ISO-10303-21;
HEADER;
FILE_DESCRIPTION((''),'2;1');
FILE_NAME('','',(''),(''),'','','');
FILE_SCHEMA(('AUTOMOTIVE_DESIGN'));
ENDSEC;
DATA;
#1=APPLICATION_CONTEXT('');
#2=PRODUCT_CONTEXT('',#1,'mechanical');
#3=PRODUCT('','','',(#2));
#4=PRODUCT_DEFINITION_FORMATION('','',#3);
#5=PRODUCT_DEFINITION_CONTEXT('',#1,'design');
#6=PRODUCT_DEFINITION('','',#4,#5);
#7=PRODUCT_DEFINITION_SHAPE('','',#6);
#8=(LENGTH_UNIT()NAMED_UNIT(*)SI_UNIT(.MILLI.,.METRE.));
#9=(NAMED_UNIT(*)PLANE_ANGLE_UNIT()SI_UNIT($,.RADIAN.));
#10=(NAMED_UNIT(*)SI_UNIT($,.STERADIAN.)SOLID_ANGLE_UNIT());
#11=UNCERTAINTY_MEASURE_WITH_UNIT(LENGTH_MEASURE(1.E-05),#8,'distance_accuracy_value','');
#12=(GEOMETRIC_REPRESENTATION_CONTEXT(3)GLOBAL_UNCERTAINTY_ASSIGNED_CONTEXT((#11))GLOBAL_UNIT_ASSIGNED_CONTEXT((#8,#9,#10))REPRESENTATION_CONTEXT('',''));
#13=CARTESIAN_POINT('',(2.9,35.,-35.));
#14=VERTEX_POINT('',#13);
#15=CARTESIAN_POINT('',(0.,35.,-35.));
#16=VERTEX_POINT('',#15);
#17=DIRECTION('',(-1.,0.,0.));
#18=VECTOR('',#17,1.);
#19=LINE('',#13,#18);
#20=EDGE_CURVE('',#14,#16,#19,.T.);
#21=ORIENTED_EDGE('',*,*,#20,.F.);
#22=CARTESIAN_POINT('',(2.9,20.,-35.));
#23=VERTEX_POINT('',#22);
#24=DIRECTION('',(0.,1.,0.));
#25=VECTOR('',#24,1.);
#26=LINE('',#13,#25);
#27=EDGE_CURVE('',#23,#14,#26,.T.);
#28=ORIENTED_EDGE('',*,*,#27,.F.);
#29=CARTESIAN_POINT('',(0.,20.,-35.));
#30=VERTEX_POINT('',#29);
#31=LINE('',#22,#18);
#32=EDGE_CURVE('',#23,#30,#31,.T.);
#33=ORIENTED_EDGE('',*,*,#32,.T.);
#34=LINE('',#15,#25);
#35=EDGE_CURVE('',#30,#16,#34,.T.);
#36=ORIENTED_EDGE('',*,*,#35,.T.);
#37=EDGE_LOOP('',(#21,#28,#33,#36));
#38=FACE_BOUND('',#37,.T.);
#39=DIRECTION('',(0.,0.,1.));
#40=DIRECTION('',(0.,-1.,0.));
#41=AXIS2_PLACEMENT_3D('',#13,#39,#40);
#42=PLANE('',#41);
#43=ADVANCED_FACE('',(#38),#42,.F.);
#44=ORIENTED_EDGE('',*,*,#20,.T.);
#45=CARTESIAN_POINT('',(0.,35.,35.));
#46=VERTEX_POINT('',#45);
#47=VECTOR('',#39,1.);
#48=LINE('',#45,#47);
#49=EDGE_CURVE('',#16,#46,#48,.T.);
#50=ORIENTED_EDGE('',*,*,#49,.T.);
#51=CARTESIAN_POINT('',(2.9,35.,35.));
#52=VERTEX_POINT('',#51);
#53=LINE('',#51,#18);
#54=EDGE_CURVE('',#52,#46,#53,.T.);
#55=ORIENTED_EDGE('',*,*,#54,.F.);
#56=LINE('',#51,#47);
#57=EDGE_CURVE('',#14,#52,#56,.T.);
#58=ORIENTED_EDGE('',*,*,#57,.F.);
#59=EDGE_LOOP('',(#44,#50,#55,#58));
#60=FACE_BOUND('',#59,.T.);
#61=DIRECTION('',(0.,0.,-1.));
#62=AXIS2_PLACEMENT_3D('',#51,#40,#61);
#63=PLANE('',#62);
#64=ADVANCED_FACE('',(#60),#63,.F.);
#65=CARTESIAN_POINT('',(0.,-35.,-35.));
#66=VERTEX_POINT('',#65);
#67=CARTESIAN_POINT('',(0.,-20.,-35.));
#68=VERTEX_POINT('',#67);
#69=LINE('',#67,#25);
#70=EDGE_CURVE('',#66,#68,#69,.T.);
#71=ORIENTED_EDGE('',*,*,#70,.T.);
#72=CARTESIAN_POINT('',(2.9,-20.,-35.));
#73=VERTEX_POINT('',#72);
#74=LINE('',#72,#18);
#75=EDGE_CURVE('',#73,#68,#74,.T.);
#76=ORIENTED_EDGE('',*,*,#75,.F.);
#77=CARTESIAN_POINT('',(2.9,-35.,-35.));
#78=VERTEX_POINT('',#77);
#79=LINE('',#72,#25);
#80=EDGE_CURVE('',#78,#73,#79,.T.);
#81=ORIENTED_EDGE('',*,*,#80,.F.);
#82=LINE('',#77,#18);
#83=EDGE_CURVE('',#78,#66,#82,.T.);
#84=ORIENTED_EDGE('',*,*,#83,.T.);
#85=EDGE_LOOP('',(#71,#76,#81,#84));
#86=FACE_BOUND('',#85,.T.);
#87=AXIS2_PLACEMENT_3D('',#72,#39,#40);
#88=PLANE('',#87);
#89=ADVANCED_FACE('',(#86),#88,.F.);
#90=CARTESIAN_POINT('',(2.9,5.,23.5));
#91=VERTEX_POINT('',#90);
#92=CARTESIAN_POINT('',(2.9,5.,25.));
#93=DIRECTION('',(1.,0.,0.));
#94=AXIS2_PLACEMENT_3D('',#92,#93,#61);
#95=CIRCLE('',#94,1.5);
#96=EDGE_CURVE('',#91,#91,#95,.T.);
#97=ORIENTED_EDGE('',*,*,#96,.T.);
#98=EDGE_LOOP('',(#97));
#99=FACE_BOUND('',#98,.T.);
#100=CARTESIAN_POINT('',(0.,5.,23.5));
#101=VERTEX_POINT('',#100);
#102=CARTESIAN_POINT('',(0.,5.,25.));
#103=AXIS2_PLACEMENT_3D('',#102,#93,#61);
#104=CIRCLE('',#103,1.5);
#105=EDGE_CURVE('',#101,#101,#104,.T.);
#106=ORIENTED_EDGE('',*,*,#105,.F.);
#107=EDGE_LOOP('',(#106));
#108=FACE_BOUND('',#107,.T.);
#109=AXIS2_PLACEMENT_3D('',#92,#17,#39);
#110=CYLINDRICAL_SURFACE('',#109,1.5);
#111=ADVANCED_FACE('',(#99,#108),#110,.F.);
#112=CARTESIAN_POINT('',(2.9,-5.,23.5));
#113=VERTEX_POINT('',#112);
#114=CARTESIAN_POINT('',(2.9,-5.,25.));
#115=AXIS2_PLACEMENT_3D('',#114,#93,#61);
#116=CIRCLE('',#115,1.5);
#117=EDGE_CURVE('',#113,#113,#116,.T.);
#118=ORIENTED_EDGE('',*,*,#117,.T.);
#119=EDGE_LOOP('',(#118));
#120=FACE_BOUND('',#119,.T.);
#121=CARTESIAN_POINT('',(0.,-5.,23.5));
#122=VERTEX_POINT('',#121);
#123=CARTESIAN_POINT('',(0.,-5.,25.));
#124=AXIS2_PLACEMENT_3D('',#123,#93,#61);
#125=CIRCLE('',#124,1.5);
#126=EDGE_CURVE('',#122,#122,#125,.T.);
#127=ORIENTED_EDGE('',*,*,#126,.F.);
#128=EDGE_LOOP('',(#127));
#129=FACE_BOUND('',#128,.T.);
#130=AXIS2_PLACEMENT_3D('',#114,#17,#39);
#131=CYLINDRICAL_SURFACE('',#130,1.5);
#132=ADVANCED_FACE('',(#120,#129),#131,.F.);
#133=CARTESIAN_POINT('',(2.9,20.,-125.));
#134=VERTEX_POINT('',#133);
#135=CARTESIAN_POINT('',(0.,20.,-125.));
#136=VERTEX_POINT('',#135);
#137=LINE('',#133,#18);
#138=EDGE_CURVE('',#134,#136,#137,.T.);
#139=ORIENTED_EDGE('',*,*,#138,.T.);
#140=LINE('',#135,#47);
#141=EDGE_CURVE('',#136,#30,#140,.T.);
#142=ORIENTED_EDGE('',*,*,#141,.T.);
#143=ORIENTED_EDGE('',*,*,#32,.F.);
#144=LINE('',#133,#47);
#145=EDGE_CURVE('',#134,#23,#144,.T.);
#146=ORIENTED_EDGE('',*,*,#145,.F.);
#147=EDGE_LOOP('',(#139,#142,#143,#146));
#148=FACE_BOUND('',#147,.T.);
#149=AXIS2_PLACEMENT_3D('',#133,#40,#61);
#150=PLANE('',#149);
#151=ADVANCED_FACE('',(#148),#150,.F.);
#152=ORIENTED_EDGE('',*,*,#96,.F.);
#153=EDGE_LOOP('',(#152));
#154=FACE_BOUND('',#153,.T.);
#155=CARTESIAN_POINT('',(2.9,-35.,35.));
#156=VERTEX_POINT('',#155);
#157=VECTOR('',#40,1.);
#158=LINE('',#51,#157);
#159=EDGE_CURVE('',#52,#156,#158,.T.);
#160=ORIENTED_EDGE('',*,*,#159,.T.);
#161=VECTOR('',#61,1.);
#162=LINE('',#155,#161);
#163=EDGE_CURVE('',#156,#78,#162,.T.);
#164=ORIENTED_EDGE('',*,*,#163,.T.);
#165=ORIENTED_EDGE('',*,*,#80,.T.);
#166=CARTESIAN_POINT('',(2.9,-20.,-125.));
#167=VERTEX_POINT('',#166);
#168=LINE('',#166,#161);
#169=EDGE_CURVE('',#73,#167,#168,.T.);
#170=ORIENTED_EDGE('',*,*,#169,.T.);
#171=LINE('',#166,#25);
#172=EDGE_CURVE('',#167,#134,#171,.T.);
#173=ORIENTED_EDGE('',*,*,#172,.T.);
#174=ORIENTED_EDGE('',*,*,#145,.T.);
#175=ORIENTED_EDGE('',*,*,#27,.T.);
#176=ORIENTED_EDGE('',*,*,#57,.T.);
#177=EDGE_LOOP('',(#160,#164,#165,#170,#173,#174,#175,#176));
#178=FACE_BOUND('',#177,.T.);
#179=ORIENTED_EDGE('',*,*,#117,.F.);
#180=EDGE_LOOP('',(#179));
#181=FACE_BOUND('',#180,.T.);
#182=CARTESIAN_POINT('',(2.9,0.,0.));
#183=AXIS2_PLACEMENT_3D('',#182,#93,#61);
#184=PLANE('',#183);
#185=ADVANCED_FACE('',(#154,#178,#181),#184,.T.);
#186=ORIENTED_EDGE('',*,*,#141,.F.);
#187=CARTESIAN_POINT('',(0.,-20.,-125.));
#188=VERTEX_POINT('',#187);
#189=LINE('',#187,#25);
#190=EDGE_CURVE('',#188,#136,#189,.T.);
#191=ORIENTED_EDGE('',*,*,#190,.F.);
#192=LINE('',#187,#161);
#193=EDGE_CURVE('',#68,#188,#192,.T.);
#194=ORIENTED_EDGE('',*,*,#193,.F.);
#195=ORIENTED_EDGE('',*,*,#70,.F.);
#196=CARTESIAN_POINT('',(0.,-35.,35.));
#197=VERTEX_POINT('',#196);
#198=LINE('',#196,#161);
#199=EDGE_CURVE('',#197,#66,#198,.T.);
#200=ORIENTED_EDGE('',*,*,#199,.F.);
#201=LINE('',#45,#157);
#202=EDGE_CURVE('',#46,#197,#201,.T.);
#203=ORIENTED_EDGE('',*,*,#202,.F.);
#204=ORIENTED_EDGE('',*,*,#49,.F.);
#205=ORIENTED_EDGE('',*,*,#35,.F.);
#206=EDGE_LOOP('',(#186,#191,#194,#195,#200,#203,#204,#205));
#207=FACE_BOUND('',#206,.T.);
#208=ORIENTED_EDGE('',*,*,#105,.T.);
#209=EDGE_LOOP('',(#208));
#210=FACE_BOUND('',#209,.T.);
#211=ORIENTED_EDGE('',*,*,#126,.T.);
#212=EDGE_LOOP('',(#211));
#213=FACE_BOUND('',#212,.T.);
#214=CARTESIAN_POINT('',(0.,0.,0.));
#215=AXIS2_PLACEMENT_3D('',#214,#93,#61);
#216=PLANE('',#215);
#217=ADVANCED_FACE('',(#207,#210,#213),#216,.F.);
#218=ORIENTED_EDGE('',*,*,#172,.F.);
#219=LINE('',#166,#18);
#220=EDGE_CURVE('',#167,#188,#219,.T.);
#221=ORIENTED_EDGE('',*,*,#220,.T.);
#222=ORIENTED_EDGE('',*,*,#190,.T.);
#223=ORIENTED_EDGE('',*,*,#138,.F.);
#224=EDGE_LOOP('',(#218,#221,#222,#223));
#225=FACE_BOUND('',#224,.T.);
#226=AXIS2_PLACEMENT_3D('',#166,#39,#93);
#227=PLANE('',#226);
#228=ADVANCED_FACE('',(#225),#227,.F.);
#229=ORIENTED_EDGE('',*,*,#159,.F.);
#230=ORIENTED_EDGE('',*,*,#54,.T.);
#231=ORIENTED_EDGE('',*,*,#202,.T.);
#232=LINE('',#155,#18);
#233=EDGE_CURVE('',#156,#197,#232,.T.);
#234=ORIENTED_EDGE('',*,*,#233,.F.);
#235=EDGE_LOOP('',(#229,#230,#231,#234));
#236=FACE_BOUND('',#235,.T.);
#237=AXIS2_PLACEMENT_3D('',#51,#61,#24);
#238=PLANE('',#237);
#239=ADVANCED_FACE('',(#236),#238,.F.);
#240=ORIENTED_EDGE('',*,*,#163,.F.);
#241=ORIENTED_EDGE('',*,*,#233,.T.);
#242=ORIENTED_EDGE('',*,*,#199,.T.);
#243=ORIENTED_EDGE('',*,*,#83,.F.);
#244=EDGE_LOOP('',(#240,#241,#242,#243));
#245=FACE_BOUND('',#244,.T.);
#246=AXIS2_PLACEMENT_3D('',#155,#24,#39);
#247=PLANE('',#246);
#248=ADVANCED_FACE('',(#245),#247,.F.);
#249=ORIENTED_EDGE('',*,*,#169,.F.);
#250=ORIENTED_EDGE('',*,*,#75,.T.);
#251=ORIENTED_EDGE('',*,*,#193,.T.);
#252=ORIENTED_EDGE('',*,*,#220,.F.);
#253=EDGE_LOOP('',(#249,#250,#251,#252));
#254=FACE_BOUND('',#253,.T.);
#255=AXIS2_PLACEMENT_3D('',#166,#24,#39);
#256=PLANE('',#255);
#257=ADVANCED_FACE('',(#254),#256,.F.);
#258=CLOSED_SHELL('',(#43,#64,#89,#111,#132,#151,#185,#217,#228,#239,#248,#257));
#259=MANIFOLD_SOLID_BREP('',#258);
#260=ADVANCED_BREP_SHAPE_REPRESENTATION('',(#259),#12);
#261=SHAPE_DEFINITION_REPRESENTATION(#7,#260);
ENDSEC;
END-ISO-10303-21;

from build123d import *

# Parameters (mm, degrees)
SKETCH1_R           = 1.5
BOSS_EXTRUDE1_DEPTH = 2.9


with BuildPart() as part:
    # Sketch1 → Boss-Extrude1 (new body)
    with BuildSketch(Plane(origin=(0, 0, 0), x_dir=(0, 0, -1), z_dir=(1, 0, 0))):
        Polygon((-35, 35), (35, 35), (35, 20), (125, 20), (125, -20), (35, -20), (35, -35), (-35, -35), align=None)
        with Locations((-25, 5)):
            Circle(SKETCH1_R, mode=Mode.SUBTRACT)
        with Locations((-25, -5)):
            Circle(SKETCH1_R, mode=Mode.SUBTRACT)
    extrude(amount=BOSS_EXTRUDE1_DEPTH)


solid = part.part
